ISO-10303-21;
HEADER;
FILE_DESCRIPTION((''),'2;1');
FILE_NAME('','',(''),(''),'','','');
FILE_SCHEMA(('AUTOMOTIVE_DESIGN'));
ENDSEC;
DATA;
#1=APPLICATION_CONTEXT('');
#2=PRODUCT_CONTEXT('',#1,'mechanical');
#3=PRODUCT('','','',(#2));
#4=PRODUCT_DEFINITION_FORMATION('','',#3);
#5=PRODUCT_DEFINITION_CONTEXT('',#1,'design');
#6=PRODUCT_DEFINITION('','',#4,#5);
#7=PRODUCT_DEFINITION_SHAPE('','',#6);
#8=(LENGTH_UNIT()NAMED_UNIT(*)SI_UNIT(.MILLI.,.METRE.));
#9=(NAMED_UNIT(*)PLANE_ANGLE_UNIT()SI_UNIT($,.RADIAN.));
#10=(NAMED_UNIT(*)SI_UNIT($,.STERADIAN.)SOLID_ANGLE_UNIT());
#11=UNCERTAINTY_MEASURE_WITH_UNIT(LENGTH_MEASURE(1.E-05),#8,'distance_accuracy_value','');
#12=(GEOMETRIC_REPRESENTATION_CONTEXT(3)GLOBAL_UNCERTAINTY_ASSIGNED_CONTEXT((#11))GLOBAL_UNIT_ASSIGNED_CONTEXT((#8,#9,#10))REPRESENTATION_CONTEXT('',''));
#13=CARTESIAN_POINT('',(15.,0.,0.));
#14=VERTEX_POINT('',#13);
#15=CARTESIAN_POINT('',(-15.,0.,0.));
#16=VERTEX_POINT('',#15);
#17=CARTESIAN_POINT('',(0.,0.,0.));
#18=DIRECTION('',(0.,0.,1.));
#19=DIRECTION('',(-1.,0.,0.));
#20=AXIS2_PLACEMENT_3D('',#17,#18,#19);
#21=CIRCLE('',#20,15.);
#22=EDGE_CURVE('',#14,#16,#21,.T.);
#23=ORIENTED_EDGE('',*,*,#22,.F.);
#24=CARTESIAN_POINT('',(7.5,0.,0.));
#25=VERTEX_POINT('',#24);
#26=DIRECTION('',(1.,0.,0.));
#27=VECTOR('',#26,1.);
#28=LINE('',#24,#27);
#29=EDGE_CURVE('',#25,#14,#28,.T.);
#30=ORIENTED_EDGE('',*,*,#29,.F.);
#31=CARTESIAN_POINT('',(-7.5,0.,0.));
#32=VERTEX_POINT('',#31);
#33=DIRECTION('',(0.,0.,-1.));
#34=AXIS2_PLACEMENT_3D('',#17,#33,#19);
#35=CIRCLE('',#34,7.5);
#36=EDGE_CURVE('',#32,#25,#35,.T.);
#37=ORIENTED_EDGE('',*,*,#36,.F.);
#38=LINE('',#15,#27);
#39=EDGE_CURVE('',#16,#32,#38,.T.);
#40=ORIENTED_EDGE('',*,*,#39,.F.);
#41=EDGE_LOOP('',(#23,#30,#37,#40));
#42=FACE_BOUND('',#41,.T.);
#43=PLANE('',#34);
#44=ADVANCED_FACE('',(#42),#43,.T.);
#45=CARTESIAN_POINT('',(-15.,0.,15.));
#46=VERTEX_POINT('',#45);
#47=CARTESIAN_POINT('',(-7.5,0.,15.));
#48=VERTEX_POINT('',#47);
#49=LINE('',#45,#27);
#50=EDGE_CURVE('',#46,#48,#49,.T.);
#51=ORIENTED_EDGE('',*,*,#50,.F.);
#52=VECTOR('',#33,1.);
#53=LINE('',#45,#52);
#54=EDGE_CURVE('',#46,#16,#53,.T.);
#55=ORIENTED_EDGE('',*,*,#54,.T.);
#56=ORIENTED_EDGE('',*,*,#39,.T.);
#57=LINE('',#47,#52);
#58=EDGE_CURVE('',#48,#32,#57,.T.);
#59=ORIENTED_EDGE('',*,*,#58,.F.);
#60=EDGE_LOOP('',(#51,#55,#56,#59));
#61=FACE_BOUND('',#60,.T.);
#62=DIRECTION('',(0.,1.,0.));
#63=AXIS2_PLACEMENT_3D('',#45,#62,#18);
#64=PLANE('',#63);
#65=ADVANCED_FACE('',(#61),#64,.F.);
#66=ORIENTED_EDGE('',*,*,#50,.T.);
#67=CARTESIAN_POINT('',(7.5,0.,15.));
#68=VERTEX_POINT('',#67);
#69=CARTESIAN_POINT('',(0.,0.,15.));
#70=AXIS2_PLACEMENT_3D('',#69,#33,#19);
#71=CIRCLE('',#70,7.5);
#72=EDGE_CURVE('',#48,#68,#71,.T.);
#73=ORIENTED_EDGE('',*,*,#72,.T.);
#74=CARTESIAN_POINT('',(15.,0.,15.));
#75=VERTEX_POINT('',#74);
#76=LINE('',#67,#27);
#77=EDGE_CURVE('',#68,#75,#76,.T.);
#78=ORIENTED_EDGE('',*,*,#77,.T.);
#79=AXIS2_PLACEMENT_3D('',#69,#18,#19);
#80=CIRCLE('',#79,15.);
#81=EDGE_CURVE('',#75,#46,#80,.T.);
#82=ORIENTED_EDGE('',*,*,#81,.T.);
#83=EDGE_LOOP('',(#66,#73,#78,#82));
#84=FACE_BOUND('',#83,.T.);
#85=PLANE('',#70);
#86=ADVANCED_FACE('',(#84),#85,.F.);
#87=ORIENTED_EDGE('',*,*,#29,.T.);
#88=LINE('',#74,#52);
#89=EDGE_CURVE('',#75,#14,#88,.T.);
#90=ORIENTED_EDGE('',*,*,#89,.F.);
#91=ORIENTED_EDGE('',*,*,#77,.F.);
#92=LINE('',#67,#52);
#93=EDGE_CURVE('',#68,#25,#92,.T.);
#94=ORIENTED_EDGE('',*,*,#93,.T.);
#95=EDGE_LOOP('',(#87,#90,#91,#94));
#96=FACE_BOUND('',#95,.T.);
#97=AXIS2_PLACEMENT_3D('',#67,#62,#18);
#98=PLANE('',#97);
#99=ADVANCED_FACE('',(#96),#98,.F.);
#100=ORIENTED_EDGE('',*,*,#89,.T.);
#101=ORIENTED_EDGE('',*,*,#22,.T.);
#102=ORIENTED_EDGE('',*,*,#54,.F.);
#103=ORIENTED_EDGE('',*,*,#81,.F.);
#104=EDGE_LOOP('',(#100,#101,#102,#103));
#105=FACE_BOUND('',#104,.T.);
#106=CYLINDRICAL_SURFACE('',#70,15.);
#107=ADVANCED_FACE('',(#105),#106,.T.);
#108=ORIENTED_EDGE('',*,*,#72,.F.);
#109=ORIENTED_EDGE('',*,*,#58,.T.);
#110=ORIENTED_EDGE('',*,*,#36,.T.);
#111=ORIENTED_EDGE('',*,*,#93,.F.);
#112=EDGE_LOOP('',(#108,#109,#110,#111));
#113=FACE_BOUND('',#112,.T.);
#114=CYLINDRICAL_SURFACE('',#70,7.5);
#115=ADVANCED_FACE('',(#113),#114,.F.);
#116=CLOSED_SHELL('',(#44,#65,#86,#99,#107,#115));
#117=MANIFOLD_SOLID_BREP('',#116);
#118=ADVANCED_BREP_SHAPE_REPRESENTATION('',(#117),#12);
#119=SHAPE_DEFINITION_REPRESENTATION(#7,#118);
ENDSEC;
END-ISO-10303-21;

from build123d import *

# Parameters (mm, degrees)
BOSS_EXTRUDE1_DEPTH = 15


with BuildPart() as part:
    # Sketch1 → Boss-Extrude1 (new body)
    with BuildSketch(Plane.XY):
        with BuildLine():
            Line((-15, 0), (-7.5, 0))
            ThreePointArc((-7.5, 0), (0, 7.5), (7.5, 0))
            Line((7.5, 0), (15, 0))
            ThreePointArc((15, 0), (0, 15), (-15, 0))
        make_face()
    extrude(amount=BOSS_EXTRUDE1_DEPTH)


solid = part.part
